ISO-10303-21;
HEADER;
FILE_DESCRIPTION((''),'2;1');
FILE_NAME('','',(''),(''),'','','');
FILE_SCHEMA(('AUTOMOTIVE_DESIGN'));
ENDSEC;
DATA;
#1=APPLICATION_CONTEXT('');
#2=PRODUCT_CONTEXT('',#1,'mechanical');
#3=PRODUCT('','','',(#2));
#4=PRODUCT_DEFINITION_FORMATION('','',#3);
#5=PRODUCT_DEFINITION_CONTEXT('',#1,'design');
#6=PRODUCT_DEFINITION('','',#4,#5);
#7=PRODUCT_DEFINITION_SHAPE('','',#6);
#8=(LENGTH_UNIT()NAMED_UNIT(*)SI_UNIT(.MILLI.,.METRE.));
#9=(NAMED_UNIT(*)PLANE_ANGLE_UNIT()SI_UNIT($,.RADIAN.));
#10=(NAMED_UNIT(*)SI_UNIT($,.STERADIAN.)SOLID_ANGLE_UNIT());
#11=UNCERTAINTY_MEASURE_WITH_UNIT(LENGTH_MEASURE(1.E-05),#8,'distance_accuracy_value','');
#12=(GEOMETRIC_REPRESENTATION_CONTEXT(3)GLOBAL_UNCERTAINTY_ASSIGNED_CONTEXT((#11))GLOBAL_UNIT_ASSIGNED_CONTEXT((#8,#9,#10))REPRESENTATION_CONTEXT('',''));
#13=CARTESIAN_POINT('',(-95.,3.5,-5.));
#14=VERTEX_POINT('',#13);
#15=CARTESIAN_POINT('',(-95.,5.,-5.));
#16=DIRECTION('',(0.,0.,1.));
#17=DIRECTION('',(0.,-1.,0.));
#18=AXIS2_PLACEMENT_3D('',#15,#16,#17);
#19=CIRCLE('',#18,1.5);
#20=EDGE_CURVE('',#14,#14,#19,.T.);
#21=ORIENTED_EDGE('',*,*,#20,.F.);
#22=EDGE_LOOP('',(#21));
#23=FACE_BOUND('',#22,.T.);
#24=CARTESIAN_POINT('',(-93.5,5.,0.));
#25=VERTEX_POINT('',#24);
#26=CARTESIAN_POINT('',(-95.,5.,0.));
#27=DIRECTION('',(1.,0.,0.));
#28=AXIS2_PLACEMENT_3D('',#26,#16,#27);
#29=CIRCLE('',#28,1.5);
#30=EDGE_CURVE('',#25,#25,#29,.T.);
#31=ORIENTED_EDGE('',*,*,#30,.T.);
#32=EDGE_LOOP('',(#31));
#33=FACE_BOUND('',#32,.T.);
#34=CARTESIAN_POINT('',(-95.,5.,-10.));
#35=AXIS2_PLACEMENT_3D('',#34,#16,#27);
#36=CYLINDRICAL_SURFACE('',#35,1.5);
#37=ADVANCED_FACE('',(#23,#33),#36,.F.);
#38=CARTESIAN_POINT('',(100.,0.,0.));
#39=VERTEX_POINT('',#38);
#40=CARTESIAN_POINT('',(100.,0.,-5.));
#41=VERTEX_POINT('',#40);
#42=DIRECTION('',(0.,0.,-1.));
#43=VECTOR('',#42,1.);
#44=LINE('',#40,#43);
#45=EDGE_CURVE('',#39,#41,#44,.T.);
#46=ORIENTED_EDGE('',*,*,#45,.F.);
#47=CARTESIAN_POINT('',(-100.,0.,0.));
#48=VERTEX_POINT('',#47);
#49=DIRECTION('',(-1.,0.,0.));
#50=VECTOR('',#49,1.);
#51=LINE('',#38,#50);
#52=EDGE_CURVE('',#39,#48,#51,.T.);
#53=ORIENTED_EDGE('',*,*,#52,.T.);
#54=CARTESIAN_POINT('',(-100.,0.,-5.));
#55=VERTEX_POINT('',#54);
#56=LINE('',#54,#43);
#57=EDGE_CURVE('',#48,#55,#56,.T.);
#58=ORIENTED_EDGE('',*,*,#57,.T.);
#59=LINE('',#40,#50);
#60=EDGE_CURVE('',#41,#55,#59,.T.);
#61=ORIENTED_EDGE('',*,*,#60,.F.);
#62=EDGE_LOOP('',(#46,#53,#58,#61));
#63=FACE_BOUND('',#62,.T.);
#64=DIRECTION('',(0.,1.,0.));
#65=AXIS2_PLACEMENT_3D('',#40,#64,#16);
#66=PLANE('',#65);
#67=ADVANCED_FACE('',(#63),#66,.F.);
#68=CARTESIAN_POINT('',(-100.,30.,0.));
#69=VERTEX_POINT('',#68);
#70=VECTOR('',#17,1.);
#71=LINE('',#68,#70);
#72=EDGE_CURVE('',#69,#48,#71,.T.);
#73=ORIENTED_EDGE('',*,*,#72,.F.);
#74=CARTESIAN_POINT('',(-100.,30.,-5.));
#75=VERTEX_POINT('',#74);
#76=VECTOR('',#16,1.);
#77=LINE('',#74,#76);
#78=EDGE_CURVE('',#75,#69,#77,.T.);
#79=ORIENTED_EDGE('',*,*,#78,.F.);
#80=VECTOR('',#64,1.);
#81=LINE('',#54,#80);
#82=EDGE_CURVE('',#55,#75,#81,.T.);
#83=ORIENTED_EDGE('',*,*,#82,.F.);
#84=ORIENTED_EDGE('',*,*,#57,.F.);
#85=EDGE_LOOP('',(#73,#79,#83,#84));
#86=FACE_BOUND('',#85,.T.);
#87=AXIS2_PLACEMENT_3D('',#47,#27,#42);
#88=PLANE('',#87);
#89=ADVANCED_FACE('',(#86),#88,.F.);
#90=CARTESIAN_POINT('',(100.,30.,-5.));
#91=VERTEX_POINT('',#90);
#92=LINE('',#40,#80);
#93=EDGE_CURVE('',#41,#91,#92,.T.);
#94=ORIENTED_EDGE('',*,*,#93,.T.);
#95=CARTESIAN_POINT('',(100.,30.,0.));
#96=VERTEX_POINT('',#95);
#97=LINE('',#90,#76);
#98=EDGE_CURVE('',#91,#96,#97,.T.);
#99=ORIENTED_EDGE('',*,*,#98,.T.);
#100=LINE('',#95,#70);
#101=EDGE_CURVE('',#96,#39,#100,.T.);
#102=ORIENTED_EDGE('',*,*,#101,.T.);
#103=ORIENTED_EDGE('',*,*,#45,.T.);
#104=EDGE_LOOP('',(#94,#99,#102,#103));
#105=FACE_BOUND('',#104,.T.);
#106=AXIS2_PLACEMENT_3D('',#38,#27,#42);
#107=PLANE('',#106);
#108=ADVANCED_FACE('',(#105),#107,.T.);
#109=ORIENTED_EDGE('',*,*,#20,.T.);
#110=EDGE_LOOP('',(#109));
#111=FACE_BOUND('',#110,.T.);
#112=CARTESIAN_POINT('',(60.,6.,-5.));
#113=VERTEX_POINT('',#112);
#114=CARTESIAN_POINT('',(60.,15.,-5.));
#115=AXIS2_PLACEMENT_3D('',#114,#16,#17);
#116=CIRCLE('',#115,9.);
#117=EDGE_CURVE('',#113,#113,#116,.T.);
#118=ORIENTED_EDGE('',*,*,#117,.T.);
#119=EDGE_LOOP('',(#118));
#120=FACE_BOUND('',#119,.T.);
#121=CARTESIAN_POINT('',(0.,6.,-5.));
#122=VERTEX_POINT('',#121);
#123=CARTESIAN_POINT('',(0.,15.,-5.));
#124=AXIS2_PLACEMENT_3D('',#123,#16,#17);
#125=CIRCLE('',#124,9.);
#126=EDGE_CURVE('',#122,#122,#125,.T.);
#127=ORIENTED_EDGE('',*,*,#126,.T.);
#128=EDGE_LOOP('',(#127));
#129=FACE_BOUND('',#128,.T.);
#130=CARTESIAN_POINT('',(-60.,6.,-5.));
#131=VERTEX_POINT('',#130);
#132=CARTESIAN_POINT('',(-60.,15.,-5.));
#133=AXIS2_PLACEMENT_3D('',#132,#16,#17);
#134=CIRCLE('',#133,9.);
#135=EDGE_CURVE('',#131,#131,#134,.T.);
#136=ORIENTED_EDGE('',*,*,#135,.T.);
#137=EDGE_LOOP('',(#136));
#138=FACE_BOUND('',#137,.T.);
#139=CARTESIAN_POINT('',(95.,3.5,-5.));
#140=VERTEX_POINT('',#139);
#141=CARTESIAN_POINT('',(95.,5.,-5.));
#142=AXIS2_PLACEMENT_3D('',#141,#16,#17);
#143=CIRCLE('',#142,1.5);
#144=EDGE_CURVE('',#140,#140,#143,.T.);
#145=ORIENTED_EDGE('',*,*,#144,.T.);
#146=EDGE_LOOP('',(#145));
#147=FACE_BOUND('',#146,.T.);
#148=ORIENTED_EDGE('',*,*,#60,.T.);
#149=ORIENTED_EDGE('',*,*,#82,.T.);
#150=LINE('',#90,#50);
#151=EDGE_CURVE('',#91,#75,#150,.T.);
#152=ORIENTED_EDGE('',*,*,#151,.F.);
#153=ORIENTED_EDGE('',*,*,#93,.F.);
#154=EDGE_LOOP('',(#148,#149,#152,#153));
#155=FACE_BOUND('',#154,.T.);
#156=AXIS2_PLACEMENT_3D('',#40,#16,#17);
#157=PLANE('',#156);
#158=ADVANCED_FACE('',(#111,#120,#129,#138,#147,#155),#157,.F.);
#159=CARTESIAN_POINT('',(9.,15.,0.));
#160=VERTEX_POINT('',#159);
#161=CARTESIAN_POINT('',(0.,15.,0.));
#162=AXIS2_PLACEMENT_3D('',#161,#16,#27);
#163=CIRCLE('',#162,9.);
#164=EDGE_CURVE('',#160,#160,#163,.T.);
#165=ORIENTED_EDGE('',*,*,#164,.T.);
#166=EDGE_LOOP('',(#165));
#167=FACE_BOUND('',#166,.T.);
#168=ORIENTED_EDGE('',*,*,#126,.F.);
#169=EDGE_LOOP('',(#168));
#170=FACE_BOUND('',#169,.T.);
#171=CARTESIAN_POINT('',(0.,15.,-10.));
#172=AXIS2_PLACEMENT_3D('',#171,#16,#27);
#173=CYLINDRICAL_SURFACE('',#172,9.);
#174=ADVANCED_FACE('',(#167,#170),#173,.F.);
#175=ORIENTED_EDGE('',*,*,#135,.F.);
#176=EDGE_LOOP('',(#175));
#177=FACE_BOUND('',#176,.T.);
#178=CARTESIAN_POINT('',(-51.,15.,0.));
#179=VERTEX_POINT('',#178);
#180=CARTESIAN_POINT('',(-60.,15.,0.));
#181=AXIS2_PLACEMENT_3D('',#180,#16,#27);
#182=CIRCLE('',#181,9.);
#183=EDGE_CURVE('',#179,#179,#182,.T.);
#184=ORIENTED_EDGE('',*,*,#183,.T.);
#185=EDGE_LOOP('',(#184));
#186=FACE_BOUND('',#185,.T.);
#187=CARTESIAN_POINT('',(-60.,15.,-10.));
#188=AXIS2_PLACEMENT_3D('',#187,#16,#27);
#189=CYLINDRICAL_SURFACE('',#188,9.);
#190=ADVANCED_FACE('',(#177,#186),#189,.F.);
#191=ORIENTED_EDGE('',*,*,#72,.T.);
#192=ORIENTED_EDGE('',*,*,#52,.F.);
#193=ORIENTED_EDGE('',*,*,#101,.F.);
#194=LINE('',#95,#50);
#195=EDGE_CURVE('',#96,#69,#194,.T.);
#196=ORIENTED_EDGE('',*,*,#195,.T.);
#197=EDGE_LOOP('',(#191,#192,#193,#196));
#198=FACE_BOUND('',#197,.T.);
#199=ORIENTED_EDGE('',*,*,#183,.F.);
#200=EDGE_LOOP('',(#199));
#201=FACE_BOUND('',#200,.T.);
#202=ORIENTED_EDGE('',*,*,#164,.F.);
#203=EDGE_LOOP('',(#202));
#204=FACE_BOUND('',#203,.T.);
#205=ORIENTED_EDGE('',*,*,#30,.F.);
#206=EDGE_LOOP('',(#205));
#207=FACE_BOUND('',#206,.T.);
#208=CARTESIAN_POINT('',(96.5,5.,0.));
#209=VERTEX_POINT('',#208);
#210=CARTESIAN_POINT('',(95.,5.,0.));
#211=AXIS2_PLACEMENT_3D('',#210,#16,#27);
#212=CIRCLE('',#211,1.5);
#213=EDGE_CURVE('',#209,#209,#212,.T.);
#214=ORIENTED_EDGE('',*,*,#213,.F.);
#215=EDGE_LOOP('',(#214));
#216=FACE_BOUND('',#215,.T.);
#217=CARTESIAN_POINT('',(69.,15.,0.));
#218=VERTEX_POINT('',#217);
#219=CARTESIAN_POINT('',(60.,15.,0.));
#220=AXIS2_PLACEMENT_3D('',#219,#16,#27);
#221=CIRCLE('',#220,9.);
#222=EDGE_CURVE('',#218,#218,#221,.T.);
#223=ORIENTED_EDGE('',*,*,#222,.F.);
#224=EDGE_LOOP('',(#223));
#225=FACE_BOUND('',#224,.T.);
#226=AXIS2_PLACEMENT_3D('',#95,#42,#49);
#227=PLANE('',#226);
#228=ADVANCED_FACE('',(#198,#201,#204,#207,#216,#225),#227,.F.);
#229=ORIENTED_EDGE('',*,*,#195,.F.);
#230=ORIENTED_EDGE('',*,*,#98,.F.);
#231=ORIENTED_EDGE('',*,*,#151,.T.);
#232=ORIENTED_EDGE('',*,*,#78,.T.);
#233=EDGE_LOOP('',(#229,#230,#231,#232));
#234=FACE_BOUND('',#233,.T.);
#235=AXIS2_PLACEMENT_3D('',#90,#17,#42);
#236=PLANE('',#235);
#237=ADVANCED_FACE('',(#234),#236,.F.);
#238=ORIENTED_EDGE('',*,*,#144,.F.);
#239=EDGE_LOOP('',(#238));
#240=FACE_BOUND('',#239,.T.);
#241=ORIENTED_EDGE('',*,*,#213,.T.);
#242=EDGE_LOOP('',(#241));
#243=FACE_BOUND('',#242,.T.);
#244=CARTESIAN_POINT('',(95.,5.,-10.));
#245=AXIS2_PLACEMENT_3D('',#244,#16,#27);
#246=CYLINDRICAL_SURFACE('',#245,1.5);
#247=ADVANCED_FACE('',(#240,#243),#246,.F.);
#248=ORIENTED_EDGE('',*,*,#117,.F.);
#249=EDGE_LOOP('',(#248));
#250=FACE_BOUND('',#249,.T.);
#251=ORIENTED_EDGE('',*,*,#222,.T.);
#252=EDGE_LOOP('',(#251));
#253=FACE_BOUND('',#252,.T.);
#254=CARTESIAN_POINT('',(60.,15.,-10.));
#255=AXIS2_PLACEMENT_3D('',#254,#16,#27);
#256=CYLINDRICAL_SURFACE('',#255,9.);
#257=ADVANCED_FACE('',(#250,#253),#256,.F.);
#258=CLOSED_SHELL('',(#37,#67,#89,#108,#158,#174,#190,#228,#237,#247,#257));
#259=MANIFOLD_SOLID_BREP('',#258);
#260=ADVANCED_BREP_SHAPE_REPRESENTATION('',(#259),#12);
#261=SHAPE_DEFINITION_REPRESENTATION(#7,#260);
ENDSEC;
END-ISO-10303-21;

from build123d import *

# Parameters (mm, degrees)
SKETCH1_W           = 5
SKETCH1_H           = 30
BOSS_EXTRUDE1_DEPTH = 100
SKETCH4_R           = 9
SKETCH4_R_2         = 1.5
CUT_EXTRUDE2_DEPTH  = 10


with BuildPart() as part:
    # Sketch1 → Boss-Extrude1 (new, symmetric)
    with BuildSketch(Plane(origin=(0, 0, 0), x_dir=(0, 0, -1), z_dir=(1, 0, 0))):
        with Locations((2.5, 15)):
            Rectangle(SKETCH1_W, SKETCH1_H)
    extrude(amount=BOSS_EXTRUDE1_DEPTH, both=True)

    # Sketch4 → Cut-Extrude2 (cut)
    with BuildSketch(Plane.XY):
        with Locations((0, 15)):
            Circle(SKETCH4_R)
        with Locations((60, 15)):
            Circle(SKETCH4_R)
        with Locations((-60, 15)):
            Circle(SKETCH4_R)
        with Locations((-95, 5)):
            Circle(SKETCH4_R_2)
        with Locations((95, 5)):
            Circle(SKETCH4_R_2)
    extrude(amount=-CUT_EXTRUDE2_DEPTH, mode=Mode.SUBTRACT)


solid = part.part
